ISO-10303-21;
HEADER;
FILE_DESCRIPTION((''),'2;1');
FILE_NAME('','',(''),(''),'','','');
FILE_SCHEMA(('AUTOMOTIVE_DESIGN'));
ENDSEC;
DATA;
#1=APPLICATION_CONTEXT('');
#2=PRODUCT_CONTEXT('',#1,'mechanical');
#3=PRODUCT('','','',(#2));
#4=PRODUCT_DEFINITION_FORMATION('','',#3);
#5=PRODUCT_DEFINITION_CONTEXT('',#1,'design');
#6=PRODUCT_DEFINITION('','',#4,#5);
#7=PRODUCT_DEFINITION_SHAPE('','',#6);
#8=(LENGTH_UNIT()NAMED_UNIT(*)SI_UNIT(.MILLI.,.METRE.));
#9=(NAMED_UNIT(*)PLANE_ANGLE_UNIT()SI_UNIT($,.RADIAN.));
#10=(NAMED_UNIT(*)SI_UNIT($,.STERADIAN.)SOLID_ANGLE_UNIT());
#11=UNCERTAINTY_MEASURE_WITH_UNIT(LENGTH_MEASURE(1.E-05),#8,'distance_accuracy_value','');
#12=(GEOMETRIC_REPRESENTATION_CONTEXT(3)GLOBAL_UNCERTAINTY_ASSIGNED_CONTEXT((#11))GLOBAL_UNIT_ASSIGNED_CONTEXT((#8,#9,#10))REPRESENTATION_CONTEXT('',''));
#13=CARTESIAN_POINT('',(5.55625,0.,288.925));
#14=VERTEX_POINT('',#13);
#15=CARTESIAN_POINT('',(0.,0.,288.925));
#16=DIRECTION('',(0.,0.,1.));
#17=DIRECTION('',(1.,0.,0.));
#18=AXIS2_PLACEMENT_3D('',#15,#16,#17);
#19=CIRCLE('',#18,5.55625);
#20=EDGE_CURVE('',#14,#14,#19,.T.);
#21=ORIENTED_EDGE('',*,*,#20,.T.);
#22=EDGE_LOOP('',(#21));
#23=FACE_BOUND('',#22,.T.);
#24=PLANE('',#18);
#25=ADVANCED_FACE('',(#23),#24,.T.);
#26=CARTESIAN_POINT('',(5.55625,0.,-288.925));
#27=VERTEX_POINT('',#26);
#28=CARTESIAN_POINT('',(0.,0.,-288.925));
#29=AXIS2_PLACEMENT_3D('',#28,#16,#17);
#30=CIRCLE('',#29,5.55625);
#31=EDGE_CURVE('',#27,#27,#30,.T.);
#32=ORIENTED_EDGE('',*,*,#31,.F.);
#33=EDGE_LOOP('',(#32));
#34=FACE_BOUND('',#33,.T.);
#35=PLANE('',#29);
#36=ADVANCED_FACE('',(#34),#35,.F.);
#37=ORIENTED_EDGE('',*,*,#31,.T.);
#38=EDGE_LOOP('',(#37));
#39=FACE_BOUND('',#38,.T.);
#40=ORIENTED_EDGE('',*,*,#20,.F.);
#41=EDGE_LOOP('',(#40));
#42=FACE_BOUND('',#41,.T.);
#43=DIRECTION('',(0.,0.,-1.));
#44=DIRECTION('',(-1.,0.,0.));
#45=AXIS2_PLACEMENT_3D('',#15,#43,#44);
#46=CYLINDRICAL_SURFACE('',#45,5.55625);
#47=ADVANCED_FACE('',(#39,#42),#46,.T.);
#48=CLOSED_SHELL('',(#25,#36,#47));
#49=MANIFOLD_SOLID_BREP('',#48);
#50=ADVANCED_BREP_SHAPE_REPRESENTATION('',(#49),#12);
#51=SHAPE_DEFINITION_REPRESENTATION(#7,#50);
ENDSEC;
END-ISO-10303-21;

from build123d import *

# Parameters (mm, degrees)
SKETCH1_R           = 5.55625
BOSS_EXTRUDE1_DEPTH = 288.925


with BuildPart() as part:
    # Sketch1 → Boss-Extrude1 (new, symmetric)
    with BuildSketch(Plane.XY):
        Circle(SKETCH1_R)
    extrude(amount=BOSS_EXTRUDE1_DEPTH, both=True)


solid = part.part
